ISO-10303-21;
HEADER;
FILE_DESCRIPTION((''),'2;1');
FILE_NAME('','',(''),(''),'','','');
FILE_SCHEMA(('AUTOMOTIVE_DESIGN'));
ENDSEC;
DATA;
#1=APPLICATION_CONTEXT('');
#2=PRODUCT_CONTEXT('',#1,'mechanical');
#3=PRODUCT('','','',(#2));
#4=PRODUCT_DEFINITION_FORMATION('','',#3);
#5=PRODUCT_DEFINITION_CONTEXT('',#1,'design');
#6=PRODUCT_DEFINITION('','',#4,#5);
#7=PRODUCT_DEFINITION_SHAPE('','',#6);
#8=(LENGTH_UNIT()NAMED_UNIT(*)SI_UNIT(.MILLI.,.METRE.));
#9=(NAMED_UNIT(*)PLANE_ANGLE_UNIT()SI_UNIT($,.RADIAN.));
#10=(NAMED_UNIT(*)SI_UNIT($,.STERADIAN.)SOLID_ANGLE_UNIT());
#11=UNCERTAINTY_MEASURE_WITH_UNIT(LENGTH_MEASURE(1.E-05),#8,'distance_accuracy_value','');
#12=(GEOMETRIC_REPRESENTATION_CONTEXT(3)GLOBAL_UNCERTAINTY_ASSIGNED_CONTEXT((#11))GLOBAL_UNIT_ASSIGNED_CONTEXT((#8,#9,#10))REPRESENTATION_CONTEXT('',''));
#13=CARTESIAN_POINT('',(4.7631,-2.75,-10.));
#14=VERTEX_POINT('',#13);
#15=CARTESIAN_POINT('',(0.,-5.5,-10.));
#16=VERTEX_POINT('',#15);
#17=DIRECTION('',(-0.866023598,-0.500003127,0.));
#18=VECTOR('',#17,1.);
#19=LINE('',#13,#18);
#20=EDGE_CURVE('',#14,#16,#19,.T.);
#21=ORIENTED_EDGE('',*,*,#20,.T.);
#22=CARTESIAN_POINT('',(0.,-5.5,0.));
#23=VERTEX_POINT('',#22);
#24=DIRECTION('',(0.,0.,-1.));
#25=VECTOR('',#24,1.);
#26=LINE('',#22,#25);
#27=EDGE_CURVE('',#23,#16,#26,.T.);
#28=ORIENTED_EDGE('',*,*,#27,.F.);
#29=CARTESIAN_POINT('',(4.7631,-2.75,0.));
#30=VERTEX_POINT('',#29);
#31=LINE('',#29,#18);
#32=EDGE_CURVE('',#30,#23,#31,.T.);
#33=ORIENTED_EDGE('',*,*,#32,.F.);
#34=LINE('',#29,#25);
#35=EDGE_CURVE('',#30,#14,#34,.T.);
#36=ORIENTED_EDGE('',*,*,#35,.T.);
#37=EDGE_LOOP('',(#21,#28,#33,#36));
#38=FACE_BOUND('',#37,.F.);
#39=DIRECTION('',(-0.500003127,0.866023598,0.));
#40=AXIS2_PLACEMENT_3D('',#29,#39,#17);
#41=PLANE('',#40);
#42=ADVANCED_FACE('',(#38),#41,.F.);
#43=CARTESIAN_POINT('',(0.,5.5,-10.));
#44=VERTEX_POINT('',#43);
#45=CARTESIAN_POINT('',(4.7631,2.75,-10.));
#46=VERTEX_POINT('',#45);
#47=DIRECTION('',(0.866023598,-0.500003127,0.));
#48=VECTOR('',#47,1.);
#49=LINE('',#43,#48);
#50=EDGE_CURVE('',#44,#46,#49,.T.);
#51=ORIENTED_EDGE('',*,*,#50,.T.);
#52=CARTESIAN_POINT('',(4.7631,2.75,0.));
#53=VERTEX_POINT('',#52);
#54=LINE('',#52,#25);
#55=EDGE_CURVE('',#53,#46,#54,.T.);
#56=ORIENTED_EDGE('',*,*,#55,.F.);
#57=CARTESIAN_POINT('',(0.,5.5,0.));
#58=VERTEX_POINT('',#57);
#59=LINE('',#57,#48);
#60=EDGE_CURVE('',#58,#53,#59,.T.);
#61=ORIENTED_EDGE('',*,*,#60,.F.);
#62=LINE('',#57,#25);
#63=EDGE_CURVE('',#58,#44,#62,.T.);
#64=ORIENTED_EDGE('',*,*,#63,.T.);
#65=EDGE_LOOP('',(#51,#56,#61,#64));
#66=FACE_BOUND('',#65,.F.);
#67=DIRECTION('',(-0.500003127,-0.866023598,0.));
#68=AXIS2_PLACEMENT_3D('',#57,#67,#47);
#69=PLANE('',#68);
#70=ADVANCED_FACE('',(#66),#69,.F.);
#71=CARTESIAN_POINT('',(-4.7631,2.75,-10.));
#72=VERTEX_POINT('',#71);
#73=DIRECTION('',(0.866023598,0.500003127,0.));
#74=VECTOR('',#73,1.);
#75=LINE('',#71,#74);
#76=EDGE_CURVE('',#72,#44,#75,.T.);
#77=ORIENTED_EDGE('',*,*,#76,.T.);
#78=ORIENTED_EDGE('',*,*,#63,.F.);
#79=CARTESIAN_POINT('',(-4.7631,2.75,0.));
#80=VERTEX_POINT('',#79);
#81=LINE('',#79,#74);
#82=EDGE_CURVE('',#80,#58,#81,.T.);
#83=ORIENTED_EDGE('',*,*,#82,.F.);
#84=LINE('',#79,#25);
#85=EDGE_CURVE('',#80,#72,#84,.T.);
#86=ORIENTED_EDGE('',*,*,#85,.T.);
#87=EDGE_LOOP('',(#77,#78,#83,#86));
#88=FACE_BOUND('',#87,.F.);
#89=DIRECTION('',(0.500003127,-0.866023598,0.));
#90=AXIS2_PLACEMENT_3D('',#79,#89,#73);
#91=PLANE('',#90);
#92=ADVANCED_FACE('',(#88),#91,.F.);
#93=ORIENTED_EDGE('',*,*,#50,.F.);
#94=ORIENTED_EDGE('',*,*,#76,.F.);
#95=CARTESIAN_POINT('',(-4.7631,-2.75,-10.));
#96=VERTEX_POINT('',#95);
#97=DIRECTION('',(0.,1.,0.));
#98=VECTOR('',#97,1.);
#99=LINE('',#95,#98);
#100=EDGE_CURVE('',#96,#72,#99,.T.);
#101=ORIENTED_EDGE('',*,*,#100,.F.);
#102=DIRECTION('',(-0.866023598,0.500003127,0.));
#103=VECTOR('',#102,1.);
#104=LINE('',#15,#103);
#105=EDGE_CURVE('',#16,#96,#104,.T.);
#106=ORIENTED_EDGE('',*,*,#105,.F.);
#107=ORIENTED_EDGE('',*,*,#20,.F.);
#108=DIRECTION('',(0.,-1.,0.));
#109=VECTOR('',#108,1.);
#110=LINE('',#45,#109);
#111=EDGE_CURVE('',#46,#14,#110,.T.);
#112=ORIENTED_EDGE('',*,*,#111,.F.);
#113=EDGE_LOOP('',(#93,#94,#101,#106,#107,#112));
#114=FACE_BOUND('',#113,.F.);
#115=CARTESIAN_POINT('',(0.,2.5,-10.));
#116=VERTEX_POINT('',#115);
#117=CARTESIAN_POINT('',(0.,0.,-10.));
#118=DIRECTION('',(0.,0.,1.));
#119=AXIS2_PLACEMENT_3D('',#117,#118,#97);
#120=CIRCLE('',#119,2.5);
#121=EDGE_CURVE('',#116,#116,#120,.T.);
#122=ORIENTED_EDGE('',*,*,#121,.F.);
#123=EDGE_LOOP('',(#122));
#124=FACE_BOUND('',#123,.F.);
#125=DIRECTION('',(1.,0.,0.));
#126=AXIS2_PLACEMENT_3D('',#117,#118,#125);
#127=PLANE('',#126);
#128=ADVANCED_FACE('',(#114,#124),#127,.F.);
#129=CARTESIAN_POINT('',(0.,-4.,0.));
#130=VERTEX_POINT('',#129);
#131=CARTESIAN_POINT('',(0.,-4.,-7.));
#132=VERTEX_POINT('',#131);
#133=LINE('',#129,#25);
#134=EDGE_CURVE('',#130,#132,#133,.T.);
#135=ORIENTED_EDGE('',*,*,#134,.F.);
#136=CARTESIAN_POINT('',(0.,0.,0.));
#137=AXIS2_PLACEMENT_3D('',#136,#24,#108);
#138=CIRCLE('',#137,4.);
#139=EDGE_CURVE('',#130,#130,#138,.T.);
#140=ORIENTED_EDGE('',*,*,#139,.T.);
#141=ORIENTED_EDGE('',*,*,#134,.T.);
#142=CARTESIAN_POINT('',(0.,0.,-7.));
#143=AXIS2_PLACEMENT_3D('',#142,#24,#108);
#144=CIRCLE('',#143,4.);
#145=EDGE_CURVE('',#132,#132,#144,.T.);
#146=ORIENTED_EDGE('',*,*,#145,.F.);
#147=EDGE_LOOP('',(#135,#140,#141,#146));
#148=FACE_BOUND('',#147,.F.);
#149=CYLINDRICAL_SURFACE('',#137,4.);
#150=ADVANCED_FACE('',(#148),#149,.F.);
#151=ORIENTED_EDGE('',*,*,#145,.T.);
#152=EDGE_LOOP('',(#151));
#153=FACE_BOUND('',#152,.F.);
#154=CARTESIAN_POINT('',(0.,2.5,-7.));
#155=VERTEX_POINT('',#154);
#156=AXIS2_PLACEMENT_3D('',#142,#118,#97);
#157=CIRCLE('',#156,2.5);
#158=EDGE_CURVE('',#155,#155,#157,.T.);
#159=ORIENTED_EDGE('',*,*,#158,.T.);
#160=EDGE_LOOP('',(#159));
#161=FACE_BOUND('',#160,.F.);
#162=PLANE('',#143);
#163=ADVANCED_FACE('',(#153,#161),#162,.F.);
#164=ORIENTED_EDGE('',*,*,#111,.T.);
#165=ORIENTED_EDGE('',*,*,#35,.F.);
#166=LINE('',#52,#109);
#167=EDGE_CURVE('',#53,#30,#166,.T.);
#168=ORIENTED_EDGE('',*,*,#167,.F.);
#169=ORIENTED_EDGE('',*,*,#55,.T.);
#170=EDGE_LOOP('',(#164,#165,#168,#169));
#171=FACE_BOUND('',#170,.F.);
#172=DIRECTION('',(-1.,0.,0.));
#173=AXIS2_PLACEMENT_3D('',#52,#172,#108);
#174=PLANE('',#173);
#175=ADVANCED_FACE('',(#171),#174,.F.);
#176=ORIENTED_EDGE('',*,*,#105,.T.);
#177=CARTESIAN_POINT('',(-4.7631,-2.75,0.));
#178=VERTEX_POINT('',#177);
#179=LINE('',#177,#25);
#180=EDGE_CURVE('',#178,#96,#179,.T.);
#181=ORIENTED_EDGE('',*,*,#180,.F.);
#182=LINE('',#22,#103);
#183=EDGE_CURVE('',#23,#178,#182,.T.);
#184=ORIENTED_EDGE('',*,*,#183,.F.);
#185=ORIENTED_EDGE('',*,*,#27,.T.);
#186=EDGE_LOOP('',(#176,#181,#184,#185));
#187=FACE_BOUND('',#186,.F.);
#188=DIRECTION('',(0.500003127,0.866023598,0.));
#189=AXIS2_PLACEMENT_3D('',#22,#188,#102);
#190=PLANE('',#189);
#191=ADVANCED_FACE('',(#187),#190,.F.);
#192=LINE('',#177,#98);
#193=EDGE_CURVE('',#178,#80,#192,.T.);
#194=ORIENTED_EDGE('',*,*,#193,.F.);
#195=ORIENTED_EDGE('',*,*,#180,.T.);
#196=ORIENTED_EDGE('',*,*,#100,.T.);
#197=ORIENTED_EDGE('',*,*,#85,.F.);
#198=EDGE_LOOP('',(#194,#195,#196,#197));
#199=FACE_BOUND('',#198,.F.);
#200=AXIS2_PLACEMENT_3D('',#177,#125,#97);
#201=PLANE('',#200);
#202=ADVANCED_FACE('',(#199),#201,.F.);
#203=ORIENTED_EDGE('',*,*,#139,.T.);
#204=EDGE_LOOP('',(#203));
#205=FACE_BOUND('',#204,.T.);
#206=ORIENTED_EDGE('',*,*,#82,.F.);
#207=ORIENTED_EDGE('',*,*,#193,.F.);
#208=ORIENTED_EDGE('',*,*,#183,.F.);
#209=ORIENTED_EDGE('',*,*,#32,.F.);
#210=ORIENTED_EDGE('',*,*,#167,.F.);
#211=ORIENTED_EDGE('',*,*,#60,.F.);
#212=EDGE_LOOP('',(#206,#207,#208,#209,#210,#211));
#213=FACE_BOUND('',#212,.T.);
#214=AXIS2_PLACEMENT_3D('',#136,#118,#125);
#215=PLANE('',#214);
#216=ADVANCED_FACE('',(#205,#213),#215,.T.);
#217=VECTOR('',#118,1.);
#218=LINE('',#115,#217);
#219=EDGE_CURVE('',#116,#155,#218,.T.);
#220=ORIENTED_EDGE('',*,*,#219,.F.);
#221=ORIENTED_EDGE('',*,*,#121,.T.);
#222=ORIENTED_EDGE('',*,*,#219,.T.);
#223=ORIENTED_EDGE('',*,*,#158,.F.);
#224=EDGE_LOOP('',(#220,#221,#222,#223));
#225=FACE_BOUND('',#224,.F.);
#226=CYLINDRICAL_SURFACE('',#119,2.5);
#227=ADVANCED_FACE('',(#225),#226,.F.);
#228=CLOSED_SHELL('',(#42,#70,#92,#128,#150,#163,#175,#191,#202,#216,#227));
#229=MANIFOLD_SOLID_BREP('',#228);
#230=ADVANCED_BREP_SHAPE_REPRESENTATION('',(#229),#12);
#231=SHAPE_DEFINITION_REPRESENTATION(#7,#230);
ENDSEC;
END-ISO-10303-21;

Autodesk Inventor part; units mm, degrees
ref_plane "YZ Plane" through (0, 0, 0) normal (1, 0, 0) x (0, 1, 0)
ref_plane "XZ Plane" through (0, 0, 0) normal (0, 1, 0) x (-1, 0, 0)
ref_plane "XY Plane" through (0, 0, 0) normal (0, 0, 1) x (1, 0, 0)
sketch "Sketch1" plane through (0, 0, 0) normal (0, 0, 1) x (1, 0, 0)
  line L0 (0, 5.5) -> (4.7631, 2.75)
  line L1 (4.7631, 2.75) -> (4.7631, -2.75)
  line L2 (4.7631, -2.75) -> (0, -5.5)
  line L3 (0, -5.5) -> (-4.7631, -2.75)
  line L4 (-4.7631, -2.75) -> (-4.7631, 2.75)
  line L5 (-4.7631, 2.75) -> (0, 5.5)
  point P0 (0, 0)
  point P1 (0, 0)
  dimension "d0" = 11
extrude "Extrusion1" add sketch "Sketch1" against normal blind 10
sketch "Sketch3" plane through (0, 0, 0) normal (0, 0, 1) x (1, 0, 0)
  point P0 (0, 0)
  point P1 (0, 0)
hole "Hole1" at (0, 0, 0) direction (0, 0, -1) diameter 8 depth 7
thread "Thread2" size "M8x1.25" class "6H" standard "ISO Metric profile" length 15
sketch "Sketch4" plane through (0, 0, -10) normal (0, 0, -1) x (-1, 0, 0)
  point P0 (0, 0)
  point P1 (0, 0)
hole "Hole2" at (0, 0, -10) direction (0, 0, 1) diameter 5 depth 5
properties part number "159"
